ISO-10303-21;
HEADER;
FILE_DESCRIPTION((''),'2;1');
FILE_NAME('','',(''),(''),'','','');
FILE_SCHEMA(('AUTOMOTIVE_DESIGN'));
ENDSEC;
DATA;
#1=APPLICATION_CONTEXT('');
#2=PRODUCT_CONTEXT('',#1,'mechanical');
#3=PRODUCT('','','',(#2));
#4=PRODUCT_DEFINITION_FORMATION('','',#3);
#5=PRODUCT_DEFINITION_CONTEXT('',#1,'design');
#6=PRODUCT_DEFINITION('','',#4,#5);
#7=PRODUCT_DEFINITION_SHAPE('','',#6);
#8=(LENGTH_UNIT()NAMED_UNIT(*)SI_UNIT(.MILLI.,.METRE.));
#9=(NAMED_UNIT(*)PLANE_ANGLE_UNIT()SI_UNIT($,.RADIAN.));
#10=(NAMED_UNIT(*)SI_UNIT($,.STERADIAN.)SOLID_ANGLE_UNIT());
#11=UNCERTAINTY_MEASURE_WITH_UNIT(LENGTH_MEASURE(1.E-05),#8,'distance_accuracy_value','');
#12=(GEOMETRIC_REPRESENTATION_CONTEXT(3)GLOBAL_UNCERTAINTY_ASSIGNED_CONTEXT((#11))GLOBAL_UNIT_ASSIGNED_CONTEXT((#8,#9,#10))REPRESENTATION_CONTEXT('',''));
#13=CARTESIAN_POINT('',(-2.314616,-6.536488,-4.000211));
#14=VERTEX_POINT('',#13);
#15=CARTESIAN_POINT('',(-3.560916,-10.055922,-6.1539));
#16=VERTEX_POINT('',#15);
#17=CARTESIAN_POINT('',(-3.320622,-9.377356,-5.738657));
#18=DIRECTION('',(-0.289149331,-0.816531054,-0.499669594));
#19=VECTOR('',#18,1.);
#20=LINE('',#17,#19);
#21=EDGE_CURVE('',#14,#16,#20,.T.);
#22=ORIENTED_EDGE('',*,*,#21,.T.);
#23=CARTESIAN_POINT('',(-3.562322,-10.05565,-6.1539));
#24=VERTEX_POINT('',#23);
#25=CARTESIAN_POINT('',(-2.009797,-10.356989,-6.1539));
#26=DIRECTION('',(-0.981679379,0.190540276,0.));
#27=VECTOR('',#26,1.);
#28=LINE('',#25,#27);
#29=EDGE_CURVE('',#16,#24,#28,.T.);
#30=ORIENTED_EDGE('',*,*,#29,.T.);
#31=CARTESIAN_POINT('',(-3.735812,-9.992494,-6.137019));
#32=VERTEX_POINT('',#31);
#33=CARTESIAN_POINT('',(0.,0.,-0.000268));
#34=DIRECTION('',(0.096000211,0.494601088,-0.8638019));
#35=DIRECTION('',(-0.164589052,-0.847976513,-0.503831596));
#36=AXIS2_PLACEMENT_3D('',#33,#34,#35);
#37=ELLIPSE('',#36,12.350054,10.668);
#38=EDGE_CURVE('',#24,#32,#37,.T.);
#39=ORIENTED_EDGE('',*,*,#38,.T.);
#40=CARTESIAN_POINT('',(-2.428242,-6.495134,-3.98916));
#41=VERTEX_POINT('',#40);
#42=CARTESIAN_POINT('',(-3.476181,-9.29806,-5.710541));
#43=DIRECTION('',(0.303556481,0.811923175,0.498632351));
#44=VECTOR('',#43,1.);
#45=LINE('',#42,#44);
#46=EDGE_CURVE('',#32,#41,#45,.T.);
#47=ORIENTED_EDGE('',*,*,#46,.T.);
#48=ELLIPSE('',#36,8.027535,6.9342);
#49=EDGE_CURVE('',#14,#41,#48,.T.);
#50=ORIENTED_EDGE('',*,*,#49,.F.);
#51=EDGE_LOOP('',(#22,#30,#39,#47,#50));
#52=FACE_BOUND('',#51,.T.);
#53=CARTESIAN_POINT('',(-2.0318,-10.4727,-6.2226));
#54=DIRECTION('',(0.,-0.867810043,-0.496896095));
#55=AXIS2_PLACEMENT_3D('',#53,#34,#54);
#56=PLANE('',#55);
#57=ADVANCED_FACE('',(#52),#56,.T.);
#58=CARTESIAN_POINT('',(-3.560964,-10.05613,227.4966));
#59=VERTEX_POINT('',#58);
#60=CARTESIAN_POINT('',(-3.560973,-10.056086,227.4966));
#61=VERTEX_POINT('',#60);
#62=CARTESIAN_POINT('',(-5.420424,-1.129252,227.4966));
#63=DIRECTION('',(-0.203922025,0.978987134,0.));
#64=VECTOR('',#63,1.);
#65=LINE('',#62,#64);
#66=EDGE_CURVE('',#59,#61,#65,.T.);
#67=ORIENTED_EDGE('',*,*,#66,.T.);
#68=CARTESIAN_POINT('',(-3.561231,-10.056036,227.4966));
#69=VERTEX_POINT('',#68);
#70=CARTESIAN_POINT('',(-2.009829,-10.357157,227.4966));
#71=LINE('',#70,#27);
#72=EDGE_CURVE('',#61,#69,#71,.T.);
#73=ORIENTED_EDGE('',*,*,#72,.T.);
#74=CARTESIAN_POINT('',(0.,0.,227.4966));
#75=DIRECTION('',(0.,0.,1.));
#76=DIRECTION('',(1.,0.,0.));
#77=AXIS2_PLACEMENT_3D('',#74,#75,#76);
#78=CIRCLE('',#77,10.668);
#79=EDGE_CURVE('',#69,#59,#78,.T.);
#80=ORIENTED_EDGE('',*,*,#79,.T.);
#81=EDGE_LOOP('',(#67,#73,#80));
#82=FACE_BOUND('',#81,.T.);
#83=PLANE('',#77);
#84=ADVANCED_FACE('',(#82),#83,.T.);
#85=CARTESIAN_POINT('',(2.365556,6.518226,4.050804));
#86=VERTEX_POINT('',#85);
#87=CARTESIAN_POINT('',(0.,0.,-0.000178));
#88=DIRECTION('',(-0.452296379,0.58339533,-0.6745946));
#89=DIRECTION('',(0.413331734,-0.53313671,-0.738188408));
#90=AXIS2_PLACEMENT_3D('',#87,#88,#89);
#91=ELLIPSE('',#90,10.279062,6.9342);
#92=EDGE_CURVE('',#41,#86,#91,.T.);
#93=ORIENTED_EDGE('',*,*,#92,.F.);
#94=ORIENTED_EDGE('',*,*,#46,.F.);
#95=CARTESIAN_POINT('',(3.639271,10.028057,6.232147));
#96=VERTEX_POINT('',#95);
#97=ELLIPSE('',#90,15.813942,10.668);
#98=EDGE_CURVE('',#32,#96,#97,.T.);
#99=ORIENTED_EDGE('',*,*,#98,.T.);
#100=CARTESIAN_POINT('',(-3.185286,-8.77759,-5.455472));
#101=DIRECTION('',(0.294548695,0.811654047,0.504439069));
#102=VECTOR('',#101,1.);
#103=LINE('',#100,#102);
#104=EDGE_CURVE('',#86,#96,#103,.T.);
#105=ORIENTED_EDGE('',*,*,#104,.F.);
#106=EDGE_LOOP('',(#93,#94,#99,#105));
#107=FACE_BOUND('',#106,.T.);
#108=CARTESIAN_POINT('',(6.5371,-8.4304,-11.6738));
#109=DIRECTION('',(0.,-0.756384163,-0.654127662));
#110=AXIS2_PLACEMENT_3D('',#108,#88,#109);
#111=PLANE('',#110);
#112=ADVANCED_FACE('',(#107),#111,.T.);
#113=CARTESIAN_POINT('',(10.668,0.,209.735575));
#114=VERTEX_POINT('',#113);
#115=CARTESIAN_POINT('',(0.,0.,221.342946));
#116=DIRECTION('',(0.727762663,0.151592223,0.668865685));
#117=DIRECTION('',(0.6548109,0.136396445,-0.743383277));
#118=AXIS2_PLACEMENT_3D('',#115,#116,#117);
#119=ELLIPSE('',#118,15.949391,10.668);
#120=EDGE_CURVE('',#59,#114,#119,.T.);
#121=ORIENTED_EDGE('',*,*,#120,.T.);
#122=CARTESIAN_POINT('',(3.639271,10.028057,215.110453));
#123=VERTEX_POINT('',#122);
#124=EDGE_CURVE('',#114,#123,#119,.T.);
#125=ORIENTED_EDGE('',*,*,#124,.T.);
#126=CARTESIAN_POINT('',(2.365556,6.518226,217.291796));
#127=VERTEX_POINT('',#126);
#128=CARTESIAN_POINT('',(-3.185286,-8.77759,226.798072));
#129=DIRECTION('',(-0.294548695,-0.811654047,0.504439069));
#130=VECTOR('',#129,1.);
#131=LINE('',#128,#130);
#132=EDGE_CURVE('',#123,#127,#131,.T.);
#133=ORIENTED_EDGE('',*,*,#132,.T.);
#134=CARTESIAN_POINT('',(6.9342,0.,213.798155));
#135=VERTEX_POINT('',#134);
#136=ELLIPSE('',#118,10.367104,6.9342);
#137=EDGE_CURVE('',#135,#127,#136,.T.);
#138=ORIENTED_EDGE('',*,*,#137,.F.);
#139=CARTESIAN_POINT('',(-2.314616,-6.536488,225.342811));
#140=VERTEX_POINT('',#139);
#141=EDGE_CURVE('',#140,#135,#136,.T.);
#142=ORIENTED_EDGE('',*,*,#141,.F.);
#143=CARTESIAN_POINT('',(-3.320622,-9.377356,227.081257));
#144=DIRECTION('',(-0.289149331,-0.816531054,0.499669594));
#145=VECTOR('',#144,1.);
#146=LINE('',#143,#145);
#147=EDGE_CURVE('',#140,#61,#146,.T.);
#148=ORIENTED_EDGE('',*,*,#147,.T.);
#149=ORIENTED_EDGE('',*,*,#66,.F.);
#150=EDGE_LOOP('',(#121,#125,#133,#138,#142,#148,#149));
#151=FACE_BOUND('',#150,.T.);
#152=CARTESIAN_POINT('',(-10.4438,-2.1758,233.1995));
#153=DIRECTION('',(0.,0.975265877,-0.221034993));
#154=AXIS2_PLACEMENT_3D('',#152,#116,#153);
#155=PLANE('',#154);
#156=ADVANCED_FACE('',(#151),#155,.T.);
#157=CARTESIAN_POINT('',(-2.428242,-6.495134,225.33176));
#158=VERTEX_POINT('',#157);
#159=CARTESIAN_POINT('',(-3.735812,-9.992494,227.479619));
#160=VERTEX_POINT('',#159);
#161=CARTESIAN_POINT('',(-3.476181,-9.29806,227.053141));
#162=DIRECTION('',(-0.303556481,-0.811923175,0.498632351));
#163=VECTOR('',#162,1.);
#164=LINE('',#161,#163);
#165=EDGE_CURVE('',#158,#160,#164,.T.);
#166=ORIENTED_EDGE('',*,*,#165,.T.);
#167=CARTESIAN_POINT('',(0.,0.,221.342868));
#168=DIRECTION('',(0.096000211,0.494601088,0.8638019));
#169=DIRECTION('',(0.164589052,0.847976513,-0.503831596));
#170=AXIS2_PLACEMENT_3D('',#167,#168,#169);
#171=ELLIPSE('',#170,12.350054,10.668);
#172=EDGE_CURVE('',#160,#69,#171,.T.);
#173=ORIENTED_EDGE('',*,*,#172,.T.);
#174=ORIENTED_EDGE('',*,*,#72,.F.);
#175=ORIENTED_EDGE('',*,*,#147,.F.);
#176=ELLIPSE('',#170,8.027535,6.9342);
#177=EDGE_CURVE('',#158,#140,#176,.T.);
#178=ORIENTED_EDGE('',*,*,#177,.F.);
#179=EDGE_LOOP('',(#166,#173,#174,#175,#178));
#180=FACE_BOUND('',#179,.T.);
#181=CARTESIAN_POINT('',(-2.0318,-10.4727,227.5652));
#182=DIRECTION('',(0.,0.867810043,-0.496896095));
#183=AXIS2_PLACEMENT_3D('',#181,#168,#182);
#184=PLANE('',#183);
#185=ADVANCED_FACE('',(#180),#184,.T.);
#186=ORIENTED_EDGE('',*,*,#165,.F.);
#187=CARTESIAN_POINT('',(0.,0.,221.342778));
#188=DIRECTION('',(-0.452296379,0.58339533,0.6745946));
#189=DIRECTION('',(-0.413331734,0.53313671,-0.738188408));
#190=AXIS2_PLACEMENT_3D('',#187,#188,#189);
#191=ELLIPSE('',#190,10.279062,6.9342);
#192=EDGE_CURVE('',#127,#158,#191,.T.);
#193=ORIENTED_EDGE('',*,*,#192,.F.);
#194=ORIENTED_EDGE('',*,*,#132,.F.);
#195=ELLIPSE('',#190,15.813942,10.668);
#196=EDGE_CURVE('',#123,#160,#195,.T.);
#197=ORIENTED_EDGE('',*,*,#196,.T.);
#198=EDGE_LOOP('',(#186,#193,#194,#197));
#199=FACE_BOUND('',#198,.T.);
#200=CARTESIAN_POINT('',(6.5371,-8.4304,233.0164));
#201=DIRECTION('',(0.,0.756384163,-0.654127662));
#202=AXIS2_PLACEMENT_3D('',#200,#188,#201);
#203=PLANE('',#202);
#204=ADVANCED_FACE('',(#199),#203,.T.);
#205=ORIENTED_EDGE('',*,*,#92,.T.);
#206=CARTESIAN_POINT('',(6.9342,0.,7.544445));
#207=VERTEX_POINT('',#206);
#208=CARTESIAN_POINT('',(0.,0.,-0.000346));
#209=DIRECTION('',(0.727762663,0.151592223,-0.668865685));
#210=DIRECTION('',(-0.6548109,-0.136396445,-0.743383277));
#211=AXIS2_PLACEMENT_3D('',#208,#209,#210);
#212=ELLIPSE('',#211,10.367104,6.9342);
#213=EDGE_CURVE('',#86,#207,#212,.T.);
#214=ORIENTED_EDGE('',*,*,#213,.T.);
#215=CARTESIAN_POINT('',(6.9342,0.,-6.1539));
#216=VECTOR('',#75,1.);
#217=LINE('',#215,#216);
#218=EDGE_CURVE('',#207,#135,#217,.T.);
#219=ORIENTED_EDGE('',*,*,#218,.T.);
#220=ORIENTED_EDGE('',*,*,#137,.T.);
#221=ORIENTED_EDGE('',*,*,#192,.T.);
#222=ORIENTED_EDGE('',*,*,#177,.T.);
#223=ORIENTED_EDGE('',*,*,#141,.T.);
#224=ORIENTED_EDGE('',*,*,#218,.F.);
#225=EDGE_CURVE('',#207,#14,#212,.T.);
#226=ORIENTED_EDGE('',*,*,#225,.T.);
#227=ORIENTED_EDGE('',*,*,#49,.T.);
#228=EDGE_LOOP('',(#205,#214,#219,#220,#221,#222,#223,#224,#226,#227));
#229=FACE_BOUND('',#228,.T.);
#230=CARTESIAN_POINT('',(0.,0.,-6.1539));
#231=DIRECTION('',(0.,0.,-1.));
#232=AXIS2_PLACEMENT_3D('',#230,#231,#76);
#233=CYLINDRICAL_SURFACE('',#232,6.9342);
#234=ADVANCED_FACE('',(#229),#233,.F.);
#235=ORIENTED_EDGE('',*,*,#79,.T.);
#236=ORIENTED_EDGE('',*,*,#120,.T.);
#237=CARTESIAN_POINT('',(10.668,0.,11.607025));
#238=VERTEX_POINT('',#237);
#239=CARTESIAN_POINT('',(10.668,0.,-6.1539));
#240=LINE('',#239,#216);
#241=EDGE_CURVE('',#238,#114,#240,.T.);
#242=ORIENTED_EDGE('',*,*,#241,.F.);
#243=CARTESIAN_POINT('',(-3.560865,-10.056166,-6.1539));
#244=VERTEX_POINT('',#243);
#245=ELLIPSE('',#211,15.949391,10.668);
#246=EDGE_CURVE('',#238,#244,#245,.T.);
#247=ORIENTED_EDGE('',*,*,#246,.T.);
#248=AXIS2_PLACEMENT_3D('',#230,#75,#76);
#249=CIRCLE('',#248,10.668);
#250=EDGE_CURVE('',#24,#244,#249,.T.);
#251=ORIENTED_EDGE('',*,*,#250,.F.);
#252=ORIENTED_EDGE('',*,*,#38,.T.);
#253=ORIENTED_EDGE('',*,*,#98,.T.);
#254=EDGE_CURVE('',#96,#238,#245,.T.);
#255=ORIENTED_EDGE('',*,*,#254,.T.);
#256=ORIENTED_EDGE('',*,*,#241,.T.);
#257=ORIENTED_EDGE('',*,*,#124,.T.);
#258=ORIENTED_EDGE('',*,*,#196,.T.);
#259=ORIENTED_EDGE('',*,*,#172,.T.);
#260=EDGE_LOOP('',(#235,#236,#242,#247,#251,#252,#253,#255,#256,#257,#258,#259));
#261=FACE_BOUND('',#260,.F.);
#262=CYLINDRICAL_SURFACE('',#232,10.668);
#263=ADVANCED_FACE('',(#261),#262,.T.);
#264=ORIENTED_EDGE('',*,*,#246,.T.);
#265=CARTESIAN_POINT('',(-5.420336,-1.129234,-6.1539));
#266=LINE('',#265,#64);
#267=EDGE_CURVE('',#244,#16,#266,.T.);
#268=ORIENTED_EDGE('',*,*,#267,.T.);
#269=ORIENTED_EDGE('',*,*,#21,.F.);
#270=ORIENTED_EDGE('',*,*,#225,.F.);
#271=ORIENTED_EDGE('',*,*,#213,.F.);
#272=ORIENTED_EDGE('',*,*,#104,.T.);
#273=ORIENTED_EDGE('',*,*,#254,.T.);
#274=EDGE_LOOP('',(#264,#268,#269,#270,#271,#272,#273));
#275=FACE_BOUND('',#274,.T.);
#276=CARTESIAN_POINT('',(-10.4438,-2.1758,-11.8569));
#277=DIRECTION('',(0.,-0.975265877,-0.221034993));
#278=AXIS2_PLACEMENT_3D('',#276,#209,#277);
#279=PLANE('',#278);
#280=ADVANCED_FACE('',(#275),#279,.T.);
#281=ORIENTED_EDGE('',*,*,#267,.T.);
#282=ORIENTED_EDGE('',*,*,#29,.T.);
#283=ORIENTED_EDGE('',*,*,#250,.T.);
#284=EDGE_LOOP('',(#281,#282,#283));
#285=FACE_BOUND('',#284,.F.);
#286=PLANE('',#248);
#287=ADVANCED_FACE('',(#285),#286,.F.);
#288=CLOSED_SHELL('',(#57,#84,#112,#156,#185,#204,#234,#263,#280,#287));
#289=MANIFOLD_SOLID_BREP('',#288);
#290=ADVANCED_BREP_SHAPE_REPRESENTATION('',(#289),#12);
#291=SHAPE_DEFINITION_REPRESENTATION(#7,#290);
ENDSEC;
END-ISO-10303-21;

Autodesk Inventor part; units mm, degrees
ref_plane "Start Plane" through (0, 0, -6.1539) normal (0, 0, 1) x (1, 0, 0)
ref_plane "End Plane" through (0, 0, 227.4965) normal (0, 0, 1) x (1, 0, 0)
sketch "Sketch" plane through (0, 0, 0) normal (0, 0, 1) x (1, 0, 0)
  circle A0 centre (0, 0) radius 6.9342
  circle A1 centre (0, 0) radius 10.668
  dimension "d0" = 21.336
  dimension "d1" = 3.7338
extrude "Body" add sketch "Sketch" along normal up to surface (233.6505 mm away) from surface at -6.1539
sketch "Sketch3" plane through (0, 0, 0) normal (0, 0, 1) x (1, 0, 0)
  line L0 (0, 0) -> (10, 0)
ref_plane "Work Plane3" through (0, 0, 0) normal (0, -1, 0) x (1, 0, 0)
sketch "Sketch4" plane through (0, 0, 0) normal (0, -1, 0) x (1, 0, 0)
  line L0 (-2, -6.1539) -> (12, -6.1539)
  line L1 (-2, 227.4965) -> (12, 227.4965)
  dimension "d7" = 233.6505
ref_plane "Work Plane4" through (-10.4438, -2.1758, 233.1995) normal (0.7278, 0.1516, 0.6689) x (0.6826, -0.0661, -0.7278)
split "Split1" plane through (-10.4438, -2.1758, 233.1995) removes the side toward (0.7278, 0.1516, 0.6689)
ref_plane "Work Plane5" through (-2.0318, -10.4727, 227.5652) normal (0.096, 0.4946, 0.8638) x (0.9951, -0.0255, -0.096)
split "Split2" plane through (-2.0318, -10.4727, 227.5652) removes the side toward (0.096, 0.4946, 0.8638)
ref_plane "Work Plane6" through (6.5371, -8.4304, 233.0164) normal (-0.4523, 0.5834, 0.6746) x (0.8778, 0.1576, 0.4523)
split "Split3" plane through (6.5371, -8.4304, 233.0164) removes the side toward (-0.4523, 0.5834, 0.6746)
ref_plane "Work Plane7" through (-2.0318, -10.4727, -6.2226) normal (0.096, 0.4946, -0.8638) x (0.9324, -0.3485, -0.096)
split "Split4" plane through (-2.0318, -10.4727, -6.2226) removes the side toward (0.096, 0.4946, -0.8638)
ref_plane "Work Plane8" through (-10.4438, -2.1758, -11.8569) normal (0.7278, 0.1516, -0.6689) x (-0.5994, -0.3332, -0.7278)
split "Split5" plane through (-10.4438, -2.1758, -11.8569) removes the side toward (0.7278, 0.1516, -0.6689)
ref_plane "Work Plane9" through (6.5371, -8.4304, -11.6738) normal (-0.4523, 0.5834, -0.6746) x (0.3712, 0.8109, 0.4523)
split "Split6" plane through (6.5371, -8.4304, -11.6738) removes the side toward (-0.4523, 0.5834, -0.6746)
equation "\"d0\" = G_H"
equation "\"d1\" = G_T"
equation "\"d2\" = G_L"
equation "\"G_H\" = 21.336"
equation "\"G_T\" = 3.7338"
equation "\"G_L\" = 233.65046"
equation "\"G_OFFSET_START\" = 6.15394"
equation "\"G_OFFSET_END\" = 6.15394"
equation "\"d4\" = -G_OFFSET_START"
equation "\"d5\" = G_OFFSET_END + B_L"
equation "\"B_L\" = 221.34258"
properties part number "ANSI - 1/2 x 0.147 - 9.199" material "Steel, Mild"
